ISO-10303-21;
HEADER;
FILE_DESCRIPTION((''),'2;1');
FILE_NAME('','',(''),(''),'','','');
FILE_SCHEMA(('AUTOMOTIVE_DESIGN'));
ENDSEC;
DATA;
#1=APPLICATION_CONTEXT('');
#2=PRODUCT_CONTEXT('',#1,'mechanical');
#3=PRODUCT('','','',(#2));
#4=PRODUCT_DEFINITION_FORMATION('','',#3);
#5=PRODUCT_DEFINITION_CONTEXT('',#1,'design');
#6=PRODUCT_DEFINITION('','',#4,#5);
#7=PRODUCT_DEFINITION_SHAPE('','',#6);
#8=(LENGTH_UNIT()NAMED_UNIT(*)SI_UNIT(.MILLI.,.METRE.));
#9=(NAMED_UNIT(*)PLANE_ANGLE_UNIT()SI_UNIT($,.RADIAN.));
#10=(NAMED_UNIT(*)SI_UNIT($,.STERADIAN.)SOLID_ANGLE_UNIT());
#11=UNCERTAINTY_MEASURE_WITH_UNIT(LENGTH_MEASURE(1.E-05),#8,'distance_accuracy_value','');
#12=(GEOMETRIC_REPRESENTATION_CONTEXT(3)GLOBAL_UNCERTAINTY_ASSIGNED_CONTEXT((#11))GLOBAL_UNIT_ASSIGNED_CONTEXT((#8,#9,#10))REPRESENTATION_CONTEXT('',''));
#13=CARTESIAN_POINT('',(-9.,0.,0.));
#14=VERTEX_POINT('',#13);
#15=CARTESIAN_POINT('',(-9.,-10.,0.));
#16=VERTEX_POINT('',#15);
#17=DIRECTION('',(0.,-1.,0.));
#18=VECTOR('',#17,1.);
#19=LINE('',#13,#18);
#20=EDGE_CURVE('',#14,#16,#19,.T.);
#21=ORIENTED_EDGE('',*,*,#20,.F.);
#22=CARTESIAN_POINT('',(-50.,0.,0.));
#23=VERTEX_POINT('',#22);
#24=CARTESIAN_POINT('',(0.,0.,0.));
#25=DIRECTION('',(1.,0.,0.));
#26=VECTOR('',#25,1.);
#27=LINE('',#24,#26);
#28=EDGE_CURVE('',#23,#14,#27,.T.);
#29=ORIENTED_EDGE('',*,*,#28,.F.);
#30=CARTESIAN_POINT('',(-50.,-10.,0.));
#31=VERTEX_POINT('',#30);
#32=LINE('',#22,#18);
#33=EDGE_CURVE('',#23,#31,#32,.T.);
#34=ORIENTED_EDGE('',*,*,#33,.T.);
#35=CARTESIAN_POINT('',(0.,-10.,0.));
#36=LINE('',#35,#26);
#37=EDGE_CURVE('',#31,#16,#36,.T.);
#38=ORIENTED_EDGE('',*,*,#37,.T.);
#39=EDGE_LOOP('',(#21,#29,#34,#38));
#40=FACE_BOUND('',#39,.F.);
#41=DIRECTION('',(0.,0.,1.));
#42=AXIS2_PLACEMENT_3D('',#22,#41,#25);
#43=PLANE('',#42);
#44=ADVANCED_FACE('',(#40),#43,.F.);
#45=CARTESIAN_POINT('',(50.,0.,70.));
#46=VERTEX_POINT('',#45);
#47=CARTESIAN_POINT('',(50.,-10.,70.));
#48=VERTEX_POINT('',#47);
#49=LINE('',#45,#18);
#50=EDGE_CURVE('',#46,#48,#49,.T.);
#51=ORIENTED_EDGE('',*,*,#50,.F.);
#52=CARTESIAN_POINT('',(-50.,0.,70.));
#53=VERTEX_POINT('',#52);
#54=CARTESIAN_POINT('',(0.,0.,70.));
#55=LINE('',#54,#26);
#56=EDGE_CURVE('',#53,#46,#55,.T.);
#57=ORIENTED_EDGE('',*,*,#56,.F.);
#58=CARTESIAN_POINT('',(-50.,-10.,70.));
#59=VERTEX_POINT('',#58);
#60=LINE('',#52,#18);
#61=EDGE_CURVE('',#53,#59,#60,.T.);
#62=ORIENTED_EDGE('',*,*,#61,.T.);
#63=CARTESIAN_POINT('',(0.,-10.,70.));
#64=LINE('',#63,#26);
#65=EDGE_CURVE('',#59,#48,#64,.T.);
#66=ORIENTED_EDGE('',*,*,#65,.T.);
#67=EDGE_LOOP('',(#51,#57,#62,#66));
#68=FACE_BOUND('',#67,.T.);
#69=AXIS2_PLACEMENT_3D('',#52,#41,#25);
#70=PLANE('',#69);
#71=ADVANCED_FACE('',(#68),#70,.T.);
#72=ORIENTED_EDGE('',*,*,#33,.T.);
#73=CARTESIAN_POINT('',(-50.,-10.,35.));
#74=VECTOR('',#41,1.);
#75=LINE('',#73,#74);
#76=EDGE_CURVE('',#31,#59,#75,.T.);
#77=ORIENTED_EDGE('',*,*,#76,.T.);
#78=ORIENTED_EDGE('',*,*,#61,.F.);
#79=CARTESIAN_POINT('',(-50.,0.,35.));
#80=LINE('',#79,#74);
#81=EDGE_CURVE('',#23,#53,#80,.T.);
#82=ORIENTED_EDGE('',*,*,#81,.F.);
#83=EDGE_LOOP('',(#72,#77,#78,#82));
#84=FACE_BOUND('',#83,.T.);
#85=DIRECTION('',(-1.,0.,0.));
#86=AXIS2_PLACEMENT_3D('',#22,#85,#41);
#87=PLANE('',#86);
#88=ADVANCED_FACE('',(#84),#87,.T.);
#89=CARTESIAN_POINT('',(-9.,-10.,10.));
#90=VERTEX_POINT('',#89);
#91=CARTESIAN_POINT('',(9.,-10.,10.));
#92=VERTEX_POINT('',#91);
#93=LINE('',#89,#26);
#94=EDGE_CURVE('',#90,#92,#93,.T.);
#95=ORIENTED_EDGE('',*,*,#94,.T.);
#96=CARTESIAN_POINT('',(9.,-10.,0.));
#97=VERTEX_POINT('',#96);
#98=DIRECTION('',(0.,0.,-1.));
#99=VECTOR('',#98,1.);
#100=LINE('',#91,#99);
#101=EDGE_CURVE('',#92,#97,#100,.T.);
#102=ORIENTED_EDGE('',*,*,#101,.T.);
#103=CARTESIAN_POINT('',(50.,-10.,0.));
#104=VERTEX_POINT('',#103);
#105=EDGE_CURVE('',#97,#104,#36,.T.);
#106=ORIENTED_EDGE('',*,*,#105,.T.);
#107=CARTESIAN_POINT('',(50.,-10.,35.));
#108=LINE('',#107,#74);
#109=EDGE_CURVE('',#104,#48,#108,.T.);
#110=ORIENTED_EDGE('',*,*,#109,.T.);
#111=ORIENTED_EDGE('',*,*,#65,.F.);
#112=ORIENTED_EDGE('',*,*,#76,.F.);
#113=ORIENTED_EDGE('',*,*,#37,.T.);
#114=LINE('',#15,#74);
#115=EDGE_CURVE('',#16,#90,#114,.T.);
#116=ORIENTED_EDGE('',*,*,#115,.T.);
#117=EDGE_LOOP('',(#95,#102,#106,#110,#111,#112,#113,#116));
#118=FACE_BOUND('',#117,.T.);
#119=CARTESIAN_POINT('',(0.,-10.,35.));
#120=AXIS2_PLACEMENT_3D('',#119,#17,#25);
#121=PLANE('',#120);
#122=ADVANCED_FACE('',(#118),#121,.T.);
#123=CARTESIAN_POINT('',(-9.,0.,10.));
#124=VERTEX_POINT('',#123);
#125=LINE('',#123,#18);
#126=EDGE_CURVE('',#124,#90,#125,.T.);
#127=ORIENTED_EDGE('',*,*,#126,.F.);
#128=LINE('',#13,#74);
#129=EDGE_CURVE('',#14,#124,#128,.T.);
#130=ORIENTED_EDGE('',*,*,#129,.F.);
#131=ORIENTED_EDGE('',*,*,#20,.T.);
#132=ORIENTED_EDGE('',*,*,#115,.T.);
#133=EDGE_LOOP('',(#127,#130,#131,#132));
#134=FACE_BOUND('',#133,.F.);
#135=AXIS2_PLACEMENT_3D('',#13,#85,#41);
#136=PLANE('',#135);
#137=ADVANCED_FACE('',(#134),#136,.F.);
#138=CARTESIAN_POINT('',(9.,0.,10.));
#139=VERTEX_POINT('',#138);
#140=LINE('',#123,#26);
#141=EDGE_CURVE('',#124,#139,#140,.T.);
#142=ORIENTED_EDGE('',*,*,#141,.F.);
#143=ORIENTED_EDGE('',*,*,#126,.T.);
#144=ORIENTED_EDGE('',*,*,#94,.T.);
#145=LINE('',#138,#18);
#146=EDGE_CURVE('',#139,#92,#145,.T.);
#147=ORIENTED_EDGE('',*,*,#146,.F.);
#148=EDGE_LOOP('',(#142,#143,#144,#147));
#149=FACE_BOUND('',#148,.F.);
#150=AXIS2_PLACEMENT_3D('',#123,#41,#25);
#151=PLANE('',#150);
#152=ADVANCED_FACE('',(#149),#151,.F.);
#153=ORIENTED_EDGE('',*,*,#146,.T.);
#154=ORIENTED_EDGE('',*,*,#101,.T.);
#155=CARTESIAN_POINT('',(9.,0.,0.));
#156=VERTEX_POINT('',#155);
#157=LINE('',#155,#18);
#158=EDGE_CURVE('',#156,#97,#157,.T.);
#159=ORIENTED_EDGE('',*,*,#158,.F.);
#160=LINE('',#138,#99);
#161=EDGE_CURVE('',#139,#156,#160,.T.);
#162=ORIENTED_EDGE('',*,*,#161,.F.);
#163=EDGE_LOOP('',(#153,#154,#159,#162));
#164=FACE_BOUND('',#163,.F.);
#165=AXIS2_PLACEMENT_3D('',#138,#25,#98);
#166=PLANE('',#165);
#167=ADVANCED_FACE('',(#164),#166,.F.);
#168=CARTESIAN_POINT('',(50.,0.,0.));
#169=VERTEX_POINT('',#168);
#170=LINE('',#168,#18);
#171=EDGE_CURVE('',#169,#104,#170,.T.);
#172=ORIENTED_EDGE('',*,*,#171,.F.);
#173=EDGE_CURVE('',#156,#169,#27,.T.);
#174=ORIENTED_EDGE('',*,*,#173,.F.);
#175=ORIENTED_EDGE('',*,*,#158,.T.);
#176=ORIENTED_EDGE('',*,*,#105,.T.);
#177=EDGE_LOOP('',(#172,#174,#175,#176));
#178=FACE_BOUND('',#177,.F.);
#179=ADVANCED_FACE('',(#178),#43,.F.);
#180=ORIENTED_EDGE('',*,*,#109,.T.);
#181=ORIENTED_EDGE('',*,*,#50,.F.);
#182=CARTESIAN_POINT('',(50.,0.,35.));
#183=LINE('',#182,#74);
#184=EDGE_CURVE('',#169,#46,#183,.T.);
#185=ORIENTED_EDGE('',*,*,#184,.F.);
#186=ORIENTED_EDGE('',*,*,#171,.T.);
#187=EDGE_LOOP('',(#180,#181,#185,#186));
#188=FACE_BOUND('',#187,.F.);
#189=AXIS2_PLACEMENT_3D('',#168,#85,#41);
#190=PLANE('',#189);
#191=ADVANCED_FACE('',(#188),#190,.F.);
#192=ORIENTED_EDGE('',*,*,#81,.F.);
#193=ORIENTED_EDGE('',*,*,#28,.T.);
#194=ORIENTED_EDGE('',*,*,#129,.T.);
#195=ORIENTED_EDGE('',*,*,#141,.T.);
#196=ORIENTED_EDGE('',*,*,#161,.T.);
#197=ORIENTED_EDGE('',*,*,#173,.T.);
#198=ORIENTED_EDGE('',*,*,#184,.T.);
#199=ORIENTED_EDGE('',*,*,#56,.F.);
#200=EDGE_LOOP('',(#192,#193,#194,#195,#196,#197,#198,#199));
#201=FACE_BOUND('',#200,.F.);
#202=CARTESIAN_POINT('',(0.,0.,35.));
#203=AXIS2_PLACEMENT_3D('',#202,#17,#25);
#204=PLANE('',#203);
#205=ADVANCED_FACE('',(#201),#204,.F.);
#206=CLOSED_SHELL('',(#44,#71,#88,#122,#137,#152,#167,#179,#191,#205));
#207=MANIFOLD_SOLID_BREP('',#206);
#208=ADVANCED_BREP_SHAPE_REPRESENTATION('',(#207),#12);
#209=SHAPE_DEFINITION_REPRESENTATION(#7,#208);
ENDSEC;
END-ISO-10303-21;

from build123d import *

# Parameters (mm, degrees)
F0_W     = 100
F0_H     = 70
F1_DEPTH = 10
F3_DEPTH = 10


with BuildPart() as f1:
    # F0 (on Front) → F1 (new body)
    with BuildSketch(Plane.XZ):
        with Locations((0, 35)):
            Rectangle(F0_W, F0_H)
    extrude(amount=F1_DEPTH)

    # F2 (on face) → F3 (cut, through all)
    with BuildSketch(Plane(origin=(0, 0, 0), x_dir=(-1, 0, 0), z_dir=(0, 1, 0))):
        with BuildLine():
            ThreePointArc((-3.250213, 6.5), (-3.603767, 6.646447), (-3.750213, 7))
            Line((-3.750213, 7), (-3.750213, 8.538201))
            ThreePointArc((-3.750213, 8.538201), (-3.72833, 8.684503), (-3.664596, 8.817999))
            Line((-3.664596, 8.817999), (-3.015177, 9.779797))
            ThreePointArc((-3.015177, 9.779797), (-2.835422, 9.941531), (-2.600794, 10))
            Line((-2.600794, 10), (-9, 10))
            Line((-9, 10), (-9, 0))
            Line((-9, 0), (9, 0))
            Line((9, 0), (9, 10))
            Line((9, 10), (2.400367, 10))
            ThreePointArc((2.400367, 10), (2.634996, 9.941531), (2.814751, 9.779797))
            Line((2.814751, 9.779797), (3.46417, 8.817999))
            ThreePointArc((3.46417, 8.817999), (3.527904, 8.684503), (3.549787, 8.538201))
            Line((3.549787, 8.538201), (3.549787, 7))
            ThreePointArc((3.549787, 7), (3.40334, 6.646447), (3.049787, 6.5))
            Line((3.049787, 6.5), (-3.250213, 6.5))
        make_face()
        with BuildLine():
            Line((-3.750213, 8.538201), (-3.750213, 7))
            ThreePointArc((-3.750213, 7), (-3.603767, 6.646447), (-3.250213, 6.5))
            Line((-3.250213, 6.5), (3.049787, 6.5))
            ThreePointArc((3.049787, 6.5), (3.40334, 6.646447), (3.549787, 7))
            Line((3.549787, 7), (3.549787, 8.538201))
            ThreePointArc((3.549787, 8.538201), (3.527904, 8.684503), (3.46417, 8.817999))
            Line((3.46417, 8.817999), (2.814751, 9.779797))
            ThreePointArc((2.814751, 9.779797), (2.634996, 9.941531), (2.400367, 10))
            Line((2.400367, 10), (0, 10))
            Line((0, 10), (-2.600794, 10))
            ThreePointArc((-2.600794, 10), (-2.835422, 9.941531), (-3.015177, 9.779797))
            Line((-3.015177, 9.779797), (-3.664596, 8.817999))
            ThreePointArc((-3.664596, 8.817999), (-3.72833, 8.684503), (-3.750213, 8.538201))
        make_face()
    extrude(amount=-F3_DEPTH, mode=Mode.SUBTRACT)


solid = f1.part
